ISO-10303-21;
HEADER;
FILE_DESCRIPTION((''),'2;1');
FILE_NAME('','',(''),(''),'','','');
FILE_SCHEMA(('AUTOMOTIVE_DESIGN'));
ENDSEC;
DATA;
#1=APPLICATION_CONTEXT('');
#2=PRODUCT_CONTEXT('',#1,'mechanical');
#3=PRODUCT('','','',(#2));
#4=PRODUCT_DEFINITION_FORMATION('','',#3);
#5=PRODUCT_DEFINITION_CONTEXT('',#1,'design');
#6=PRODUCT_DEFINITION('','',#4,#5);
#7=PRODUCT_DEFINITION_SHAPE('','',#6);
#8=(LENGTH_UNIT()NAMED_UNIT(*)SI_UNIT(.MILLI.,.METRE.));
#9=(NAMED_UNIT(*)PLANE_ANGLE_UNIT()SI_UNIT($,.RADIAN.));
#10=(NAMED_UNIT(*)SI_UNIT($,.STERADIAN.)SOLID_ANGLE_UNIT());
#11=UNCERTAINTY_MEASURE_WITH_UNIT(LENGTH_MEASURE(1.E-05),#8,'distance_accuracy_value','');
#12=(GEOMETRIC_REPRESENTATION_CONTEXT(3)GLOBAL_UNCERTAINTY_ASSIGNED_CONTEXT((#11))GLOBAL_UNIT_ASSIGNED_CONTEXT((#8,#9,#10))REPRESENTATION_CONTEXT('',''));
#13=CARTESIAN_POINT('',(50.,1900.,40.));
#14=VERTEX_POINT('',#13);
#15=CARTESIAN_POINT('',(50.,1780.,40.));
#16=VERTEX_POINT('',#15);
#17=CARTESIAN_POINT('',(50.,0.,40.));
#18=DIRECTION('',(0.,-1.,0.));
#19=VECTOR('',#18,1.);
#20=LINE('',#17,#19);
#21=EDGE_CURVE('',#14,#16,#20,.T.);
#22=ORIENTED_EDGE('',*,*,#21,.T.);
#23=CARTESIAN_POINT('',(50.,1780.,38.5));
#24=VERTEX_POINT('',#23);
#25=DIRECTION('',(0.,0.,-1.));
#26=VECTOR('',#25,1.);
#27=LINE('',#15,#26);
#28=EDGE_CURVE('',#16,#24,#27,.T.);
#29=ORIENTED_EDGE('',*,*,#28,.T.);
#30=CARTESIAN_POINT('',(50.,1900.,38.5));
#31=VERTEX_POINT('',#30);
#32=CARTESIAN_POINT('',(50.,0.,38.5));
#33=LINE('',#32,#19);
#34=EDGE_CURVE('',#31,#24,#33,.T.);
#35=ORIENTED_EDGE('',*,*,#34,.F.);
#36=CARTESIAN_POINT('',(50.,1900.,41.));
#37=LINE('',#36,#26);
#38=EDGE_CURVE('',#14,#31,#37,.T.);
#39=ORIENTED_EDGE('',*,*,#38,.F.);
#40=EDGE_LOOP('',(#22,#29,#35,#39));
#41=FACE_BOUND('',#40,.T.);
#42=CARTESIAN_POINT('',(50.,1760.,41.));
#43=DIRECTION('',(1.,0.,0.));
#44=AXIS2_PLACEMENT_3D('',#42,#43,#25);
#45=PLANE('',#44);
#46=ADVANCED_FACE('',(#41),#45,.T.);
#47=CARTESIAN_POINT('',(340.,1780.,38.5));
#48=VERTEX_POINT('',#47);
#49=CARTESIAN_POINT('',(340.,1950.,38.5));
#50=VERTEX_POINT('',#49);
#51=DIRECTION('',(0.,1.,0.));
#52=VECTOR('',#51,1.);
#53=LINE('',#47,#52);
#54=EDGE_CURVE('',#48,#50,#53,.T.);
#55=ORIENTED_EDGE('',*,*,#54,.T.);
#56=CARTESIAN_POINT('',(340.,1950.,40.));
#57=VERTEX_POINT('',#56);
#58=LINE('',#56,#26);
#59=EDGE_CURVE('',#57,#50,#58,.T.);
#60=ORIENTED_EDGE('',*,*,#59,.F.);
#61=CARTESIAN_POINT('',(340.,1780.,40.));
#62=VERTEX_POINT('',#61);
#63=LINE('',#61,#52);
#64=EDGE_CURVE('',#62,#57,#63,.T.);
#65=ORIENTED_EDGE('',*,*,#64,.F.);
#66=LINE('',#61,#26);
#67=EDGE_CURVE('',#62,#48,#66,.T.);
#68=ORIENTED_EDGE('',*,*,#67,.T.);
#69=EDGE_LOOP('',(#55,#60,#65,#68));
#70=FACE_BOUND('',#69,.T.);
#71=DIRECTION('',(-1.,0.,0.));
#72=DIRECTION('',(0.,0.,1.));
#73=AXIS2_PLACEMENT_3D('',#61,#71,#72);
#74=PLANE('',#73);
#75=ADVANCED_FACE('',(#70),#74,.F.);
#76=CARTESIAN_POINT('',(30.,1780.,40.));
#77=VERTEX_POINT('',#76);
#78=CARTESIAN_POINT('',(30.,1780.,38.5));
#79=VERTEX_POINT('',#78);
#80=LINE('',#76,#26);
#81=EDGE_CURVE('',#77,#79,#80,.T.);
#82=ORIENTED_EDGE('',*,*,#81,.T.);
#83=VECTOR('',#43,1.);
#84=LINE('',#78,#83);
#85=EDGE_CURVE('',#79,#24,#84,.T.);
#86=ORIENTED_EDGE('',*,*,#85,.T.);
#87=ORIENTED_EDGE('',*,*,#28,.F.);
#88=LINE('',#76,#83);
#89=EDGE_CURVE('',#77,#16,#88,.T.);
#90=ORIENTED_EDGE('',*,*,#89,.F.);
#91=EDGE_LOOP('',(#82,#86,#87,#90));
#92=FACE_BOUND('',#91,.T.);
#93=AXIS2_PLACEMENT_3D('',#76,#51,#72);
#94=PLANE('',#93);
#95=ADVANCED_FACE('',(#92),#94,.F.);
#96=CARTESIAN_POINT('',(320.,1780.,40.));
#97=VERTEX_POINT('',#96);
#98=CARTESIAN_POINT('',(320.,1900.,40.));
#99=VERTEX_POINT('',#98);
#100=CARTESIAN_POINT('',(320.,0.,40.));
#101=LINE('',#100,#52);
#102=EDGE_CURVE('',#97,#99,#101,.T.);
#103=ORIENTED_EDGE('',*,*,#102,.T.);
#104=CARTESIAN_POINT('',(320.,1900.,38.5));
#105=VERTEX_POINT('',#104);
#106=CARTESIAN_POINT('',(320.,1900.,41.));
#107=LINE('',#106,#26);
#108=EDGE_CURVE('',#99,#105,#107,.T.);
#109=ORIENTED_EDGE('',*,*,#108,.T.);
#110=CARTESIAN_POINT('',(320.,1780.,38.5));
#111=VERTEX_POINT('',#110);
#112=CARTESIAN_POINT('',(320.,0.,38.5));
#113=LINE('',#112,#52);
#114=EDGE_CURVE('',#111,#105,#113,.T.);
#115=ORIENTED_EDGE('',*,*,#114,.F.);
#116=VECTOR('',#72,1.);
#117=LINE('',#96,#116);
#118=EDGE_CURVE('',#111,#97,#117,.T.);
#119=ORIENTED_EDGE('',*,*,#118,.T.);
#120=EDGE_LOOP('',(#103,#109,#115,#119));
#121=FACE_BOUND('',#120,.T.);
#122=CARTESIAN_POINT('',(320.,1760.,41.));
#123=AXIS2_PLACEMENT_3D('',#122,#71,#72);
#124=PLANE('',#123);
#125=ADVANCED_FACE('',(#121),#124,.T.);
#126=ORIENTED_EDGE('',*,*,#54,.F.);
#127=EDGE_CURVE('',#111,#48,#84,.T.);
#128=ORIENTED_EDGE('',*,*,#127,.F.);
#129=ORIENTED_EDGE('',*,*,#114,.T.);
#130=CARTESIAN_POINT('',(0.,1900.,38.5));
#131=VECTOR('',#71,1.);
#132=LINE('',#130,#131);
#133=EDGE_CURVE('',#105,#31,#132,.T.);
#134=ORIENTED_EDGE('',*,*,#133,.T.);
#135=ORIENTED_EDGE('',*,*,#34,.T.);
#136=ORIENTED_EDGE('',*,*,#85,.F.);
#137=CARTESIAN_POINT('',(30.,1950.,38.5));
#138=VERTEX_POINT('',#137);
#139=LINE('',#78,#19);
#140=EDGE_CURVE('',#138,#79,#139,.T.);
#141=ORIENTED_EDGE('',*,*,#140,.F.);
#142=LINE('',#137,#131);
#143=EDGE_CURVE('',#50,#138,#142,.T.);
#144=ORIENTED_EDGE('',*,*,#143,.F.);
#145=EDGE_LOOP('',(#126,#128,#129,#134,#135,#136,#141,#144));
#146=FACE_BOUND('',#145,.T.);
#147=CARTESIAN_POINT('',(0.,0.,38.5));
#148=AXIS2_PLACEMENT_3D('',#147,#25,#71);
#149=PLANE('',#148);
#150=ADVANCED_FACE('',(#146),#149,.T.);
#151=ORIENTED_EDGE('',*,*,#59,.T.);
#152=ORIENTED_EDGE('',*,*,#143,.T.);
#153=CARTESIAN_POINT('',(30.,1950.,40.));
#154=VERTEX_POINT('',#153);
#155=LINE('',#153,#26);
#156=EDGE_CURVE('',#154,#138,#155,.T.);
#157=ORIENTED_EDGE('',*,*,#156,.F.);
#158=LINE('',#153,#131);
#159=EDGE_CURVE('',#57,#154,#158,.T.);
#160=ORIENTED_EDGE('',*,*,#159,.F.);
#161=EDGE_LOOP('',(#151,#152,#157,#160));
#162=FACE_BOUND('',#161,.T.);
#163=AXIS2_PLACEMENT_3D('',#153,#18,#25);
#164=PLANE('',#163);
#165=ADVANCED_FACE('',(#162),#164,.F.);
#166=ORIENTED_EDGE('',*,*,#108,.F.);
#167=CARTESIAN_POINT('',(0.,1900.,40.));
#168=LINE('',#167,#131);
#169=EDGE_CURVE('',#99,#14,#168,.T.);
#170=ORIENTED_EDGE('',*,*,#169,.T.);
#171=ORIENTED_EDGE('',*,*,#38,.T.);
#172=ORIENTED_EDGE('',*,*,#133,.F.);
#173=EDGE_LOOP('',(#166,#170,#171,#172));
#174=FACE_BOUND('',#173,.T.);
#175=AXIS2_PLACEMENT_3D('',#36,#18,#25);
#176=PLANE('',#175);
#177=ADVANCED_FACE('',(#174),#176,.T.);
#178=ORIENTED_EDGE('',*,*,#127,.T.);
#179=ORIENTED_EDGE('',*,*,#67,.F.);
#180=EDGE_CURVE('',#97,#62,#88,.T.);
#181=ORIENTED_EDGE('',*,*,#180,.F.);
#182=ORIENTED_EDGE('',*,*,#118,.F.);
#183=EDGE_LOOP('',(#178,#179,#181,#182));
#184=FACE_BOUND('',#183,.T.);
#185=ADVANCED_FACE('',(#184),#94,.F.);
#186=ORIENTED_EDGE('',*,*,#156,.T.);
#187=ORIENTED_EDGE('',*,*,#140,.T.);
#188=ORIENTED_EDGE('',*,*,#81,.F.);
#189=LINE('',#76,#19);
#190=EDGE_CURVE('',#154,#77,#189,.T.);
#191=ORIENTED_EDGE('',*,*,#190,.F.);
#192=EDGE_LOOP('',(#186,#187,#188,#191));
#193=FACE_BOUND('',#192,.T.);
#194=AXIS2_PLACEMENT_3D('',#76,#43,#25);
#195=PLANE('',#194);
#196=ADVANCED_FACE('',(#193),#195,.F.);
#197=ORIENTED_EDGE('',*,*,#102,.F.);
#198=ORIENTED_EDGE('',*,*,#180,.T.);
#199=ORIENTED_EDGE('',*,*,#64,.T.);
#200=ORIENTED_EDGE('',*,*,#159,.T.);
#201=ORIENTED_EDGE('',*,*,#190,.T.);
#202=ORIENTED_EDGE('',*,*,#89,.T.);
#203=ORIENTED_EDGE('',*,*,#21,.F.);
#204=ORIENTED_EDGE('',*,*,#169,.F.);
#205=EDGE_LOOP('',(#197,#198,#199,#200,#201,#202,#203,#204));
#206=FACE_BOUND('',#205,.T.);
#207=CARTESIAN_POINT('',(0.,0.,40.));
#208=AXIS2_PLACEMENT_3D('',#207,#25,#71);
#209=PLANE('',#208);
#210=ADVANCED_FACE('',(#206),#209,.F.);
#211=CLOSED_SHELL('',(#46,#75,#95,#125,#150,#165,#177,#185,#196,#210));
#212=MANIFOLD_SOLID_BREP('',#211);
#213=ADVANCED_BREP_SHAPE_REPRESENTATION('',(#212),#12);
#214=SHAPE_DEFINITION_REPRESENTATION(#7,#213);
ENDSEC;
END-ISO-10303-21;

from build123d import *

# Parameters (mm, degrees)
PRESS_PANEL_UST_SOL_1_START = 38.5
SKETCH1_W                   = 310
SKETCH1_H                   = 170
PRESS_PANEL_UST_SOL_1_DEPTH = 1.5
PRESS_PANEL_UST_SOL_2_START = 37.5
SKETCH2_W                   = 270
SKETCH2_H                   = 140
PRESS_PANEL_UST_SOL_2_DEPTH = 3.5


with BuildPart() as part:
    # Sketch1 → PRESS_panel_ust_sol_1 (new body)
    with BuildSketch(Plane.XY.offset(PRESS_PANEL_UST_SOL_1_START)):
        with Locations((185, 1865)):
            Rectangle(SKETCH1_W, SKETCH1_H)
    extrude(amount=PRESS_PANEL_UST_SOL_1_DEPTH)

    # Sketch2 → PRESS_panel_ust_sol_2 (cut)
    with BuildSketch(Plane.XY.offset(PRESS_PANEL_UST_SOL_2_START)):
        with Locations((185, 1830)):
            Rectangle(SKETCH2_W, SKETCH2_H)
    extrude(amount=PRESS_PANEL_UST_SOL_2_DEPTH, mode=Mode.SUBTRACT)


solid = part.part
